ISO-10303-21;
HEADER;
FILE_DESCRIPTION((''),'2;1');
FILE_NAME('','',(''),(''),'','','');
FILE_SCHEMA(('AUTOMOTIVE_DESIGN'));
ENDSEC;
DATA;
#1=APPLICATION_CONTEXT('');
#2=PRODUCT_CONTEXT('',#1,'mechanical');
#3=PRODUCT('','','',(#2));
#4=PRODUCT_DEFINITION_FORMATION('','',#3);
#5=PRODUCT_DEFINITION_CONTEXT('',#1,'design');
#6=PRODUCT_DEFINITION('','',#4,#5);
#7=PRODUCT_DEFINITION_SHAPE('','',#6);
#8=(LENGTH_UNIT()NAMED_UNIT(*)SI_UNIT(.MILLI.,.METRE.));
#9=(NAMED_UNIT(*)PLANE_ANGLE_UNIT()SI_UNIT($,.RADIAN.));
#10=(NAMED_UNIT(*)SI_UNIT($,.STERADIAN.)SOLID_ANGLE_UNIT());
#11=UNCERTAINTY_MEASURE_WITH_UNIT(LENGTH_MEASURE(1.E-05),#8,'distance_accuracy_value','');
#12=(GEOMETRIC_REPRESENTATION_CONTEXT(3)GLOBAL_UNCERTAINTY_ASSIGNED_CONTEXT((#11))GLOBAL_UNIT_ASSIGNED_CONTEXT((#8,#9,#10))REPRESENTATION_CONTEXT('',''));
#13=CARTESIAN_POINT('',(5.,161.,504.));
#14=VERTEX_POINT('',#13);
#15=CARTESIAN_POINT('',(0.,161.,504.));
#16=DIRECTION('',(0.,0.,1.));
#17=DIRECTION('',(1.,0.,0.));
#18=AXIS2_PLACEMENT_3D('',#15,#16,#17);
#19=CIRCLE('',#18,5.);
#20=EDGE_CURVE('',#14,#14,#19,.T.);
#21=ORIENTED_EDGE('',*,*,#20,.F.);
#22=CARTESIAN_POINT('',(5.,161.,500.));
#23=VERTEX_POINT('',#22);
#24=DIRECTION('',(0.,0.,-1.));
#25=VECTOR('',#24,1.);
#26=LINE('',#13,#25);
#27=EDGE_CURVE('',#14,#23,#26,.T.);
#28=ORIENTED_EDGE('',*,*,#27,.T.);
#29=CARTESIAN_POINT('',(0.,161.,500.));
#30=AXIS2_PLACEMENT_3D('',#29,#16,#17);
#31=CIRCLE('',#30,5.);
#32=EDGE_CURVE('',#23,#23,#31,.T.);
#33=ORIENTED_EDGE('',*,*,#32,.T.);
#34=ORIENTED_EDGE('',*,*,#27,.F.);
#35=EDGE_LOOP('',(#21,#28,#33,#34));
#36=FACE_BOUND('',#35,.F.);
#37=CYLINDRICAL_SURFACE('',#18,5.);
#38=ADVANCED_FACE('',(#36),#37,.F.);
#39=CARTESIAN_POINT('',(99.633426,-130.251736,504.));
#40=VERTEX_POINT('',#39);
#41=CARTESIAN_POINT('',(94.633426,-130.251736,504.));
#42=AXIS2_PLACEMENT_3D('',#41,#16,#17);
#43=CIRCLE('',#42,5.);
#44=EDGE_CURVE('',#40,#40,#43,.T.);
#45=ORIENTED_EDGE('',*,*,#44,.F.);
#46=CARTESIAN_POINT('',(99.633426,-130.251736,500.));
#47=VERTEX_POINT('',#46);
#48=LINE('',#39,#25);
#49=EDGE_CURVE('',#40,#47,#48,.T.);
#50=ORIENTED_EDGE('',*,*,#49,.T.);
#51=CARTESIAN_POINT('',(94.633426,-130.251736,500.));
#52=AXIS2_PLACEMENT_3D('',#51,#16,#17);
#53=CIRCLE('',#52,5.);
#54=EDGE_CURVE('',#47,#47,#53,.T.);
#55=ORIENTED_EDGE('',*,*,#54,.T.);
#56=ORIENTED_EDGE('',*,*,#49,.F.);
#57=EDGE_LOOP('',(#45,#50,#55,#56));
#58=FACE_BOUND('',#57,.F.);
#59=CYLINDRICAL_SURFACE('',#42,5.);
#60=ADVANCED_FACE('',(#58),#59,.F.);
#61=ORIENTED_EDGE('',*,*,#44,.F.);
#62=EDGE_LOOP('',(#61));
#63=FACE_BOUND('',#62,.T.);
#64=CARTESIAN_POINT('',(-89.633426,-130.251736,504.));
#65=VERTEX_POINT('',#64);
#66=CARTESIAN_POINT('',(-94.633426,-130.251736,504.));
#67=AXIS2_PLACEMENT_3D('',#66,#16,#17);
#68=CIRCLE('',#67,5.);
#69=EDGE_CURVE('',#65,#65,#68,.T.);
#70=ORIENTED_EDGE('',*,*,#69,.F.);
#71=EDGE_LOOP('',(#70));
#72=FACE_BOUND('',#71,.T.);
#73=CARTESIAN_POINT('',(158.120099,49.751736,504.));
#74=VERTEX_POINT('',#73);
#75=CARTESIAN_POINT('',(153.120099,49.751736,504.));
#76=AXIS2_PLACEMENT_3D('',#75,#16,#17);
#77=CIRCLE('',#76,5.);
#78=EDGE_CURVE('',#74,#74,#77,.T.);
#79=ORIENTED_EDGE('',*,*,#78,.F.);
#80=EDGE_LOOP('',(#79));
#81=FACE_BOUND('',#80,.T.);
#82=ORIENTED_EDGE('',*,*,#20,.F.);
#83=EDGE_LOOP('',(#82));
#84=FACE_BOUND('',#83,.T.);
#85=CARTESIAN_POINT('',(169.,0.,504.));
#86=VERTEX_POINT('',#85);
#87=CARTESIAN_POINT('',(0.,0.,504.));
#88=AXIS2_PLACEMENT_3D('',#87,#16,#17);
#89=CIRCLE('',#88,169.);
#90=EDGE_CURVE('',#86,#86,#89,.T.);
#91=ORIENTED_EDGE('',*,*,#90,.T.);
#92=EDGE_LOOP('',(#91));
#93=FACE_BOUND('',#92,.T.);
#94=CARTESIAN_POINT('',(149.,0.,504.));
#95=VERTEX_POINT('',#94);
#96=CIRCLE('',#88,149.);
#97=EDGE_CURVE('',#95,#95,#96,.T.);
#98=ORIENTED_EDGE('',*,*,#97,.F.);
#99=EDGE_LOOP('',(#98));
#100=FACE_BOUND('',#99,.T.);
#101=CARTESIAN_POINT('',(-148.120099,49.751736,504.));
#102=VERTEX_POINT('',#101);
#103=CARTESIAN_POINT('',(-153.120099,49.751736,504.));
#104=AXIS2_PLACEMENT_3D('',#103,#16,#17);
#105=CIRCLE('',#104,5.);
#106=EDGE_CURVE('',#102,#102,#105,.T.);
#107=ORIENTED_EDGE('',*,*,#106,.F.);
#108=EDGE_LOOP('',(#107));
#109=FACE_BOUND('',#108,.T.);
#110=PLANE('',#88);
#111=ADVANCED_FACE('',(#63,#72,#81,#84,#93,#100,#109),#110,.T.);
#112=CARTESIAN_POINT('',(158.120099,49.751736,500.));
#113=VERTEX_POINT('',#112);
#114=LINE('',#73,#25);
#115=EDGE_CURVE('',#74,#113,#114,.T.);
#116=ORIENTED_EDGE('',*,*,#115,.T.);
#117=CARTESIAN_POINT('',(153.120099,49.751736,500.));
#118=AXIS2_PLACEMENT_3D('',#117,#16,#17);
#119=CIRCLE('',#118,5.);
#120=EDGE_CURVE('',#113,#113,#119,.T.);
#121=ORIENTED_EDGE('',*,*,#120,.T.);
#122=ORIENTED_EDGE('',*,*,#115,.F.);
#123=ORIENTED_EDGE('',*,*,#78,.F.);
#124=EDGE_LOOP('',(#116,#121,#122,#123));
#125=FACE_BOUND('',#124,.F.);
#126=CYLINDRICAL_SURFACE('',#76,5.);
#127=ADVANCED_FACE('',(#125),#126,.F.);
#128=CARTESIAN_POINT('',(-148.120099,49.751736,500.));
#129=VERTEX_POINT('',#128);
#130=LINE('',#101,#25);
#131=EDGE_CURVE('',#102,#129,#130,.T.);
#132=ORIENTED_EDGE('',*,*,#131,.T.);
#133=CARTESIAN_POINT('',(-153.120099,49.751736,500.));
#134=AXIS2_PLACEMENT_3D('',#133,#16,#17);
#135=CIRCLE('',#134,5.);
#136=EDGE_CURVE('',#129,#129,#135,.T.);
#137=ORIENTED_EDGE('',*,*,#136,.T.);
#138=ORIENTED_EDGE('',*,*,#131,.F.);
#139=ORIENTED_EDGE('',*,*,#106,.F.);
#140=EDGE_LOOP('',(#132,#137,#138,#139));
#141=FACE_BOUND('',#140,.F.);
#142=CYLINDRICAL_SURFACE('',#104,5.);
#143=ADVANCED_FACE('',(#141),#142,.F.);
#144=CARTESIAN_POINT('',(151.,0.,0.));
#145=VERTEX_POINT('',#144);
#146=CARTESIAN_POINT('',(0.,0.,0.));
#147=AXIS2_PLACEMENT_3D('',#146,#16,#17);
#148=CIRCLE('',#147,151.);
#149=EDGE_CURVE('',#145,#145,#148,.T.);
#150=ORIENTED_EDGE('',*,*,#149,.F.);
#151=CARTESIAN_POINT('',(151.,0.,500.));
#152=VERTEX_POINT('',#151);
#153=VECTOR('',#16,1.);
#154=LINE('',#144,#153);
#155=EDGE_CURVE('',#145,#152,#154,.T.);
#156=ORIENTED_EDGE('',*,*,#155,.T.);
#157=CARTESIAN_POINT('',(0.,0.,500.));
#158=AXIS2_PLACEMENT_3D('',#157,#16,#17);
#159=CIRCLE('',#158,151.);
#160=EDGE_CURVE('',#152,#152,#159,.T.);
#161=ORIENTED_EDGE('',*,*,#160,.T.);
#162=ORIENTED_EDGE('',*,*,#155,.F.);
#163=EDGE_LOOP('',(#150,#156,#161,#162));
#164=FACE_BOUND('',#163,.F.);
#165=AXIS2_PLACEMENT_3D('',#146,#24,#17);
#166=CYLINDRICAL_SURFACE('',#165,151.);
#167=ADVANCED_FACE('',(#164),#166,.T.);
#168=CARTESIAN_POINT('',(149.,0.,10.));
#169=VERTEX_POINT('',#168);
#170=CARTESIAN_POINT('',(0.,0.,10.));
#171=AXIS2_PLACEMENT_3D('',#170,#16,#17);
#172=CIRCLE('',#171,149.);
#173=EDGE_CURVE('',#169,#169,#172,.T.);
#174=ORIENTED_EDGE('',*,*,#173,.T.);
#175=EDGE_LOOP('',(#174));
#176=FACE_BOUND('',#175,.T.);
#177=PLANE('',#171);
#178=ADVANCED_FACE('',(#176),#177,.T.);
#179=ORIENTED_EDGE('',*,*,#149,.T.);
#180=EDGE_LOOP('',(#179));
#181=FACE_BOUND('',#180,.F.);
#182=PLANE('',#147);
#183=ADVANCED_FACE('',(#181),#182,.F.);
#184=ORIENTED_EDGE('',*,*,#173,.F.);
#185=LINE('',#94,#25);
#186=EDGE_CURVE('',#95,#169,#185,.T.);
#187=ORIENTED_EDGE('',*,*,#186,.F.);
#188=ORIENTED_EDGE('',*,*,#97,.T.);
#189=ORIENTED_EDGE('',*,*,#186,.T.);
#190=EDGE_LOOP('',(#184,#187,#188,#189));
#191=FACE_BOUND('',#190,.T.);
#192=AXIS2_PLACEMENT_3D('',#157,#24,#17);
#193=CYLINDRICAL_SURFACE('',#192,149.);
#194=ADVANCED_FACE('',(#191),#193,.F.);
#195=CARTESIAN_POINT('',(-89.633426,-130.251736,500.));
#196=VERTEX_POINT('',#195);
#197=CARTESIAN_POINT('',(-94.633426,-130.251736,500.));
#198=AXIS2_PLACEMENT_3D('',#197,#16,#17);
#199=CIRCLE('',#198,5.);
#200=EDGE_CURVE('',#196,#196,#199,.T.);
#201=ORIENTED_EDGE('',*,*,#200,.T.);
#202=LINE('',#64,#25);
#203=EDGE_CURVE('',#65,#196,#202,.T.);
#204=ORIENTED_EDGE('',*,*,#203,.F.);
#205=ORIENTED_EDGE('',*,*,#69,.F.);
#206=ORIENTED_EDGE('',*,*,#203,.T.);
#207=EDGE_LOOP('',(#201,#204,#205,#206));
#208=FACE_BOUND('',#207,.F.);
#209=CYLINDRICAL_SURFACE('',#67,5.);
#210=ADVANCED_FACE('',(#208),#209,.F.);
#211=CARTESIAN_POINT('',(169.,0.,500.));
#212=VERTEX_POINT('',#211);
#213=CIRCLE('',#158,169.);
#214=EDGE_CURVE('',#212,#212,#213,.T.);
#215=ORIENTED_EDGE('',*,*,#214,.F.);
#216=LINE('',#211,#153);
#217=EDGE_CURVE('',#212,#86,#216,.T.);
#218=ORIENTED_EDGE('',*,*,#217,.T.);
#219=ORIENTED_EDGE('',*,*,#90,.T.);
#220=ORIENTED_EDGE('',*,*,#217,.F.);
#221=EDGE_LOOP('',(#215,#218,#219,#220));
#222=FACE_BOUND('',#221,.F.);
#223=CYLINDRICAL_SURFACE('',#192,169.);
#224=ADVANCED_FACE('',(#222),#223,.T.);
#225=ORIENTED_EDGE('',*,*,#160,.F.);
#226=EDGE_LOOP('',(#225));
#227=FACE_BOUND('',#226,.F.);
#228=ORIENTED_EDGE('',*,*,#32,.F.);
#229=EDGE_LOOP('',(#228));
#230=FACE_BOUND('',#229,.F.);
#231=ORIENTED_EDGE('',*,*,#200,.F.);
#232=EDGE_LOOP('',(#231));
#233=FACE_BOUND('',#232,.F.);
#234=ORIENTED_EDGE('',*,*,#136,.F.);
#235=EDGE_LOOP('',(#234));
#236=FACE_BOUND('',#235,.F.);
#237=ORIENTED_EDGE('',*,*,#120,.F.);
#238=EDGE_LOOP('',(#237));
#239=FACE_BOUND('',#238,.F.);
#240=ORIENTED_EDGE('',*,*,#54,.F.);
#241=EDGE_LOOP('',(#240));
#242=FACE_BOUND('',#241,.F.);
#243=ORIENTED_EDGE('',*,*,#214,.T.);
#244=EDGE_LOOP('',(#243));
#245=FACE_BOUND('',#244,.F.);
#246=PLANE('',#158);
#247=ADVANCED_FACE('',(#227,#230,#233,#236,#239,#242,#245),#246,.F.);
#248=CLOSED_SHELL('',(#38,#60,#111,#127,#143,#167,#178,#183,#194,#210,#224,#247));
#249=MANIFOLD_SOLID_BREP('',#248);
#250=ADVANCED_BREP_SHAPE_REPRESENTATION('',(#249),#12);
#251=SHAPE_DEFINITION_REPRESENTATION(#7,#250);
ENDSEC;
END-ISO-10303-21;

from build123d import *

# Parameters (mm, degrees)
F0_R     = 151
F1_DEPTH = 500
F2_R     = 149
F3_DEPTH = 490
F4_R     = 169
F4_R_2   = 149
F5_DEPTH = 4
F6_R     = 5
F7_DEPTH = 504.001


with BuildPart() as f1:
    # F0 (on Top) → F1 (new body)
    with BuildSketch(Plane.XY):
        Circle(F0_R)
    extrude(amount=F1_DEPTH)

    # F2 (on face) → F3 (cut)
    with BuildSketch(Plane.XY.offset(500)):
        Circle(F2_R)
    extrude(amount=-F3_DEPTH, mode=Mode.SUBTRACT)

    # F4 (on face) → F5 (join)
    with BuildSketch(Plane.XY.offset(500)):
        Circle(F4_R)
        Circle(F4_R_2, mode=Mode.SUBTRACT)
    extrude(amount=F5_DEPTH)

    # F6 (on face) → F7 (cut, through all)
    with BuildSketch(Plane.XY.offset(504)):
        with Locations((0, 161)):
            Circle(F6_R)
        with Locations((-153.120099, 49.751736)):
            Circle(F6_R)
        with Locations((-94.633426, -130.251736)):
            Circle(F6_R)
        with Locations((94.633426, -130.251736)):
            Circle(F6_R)
        with Locations((153.120099, 49.751736)):
            Circle(F6_R)
    extrude(amount=-F7_DEPTH, mode=Mode.SUBTRACT)


solid = f1.part
